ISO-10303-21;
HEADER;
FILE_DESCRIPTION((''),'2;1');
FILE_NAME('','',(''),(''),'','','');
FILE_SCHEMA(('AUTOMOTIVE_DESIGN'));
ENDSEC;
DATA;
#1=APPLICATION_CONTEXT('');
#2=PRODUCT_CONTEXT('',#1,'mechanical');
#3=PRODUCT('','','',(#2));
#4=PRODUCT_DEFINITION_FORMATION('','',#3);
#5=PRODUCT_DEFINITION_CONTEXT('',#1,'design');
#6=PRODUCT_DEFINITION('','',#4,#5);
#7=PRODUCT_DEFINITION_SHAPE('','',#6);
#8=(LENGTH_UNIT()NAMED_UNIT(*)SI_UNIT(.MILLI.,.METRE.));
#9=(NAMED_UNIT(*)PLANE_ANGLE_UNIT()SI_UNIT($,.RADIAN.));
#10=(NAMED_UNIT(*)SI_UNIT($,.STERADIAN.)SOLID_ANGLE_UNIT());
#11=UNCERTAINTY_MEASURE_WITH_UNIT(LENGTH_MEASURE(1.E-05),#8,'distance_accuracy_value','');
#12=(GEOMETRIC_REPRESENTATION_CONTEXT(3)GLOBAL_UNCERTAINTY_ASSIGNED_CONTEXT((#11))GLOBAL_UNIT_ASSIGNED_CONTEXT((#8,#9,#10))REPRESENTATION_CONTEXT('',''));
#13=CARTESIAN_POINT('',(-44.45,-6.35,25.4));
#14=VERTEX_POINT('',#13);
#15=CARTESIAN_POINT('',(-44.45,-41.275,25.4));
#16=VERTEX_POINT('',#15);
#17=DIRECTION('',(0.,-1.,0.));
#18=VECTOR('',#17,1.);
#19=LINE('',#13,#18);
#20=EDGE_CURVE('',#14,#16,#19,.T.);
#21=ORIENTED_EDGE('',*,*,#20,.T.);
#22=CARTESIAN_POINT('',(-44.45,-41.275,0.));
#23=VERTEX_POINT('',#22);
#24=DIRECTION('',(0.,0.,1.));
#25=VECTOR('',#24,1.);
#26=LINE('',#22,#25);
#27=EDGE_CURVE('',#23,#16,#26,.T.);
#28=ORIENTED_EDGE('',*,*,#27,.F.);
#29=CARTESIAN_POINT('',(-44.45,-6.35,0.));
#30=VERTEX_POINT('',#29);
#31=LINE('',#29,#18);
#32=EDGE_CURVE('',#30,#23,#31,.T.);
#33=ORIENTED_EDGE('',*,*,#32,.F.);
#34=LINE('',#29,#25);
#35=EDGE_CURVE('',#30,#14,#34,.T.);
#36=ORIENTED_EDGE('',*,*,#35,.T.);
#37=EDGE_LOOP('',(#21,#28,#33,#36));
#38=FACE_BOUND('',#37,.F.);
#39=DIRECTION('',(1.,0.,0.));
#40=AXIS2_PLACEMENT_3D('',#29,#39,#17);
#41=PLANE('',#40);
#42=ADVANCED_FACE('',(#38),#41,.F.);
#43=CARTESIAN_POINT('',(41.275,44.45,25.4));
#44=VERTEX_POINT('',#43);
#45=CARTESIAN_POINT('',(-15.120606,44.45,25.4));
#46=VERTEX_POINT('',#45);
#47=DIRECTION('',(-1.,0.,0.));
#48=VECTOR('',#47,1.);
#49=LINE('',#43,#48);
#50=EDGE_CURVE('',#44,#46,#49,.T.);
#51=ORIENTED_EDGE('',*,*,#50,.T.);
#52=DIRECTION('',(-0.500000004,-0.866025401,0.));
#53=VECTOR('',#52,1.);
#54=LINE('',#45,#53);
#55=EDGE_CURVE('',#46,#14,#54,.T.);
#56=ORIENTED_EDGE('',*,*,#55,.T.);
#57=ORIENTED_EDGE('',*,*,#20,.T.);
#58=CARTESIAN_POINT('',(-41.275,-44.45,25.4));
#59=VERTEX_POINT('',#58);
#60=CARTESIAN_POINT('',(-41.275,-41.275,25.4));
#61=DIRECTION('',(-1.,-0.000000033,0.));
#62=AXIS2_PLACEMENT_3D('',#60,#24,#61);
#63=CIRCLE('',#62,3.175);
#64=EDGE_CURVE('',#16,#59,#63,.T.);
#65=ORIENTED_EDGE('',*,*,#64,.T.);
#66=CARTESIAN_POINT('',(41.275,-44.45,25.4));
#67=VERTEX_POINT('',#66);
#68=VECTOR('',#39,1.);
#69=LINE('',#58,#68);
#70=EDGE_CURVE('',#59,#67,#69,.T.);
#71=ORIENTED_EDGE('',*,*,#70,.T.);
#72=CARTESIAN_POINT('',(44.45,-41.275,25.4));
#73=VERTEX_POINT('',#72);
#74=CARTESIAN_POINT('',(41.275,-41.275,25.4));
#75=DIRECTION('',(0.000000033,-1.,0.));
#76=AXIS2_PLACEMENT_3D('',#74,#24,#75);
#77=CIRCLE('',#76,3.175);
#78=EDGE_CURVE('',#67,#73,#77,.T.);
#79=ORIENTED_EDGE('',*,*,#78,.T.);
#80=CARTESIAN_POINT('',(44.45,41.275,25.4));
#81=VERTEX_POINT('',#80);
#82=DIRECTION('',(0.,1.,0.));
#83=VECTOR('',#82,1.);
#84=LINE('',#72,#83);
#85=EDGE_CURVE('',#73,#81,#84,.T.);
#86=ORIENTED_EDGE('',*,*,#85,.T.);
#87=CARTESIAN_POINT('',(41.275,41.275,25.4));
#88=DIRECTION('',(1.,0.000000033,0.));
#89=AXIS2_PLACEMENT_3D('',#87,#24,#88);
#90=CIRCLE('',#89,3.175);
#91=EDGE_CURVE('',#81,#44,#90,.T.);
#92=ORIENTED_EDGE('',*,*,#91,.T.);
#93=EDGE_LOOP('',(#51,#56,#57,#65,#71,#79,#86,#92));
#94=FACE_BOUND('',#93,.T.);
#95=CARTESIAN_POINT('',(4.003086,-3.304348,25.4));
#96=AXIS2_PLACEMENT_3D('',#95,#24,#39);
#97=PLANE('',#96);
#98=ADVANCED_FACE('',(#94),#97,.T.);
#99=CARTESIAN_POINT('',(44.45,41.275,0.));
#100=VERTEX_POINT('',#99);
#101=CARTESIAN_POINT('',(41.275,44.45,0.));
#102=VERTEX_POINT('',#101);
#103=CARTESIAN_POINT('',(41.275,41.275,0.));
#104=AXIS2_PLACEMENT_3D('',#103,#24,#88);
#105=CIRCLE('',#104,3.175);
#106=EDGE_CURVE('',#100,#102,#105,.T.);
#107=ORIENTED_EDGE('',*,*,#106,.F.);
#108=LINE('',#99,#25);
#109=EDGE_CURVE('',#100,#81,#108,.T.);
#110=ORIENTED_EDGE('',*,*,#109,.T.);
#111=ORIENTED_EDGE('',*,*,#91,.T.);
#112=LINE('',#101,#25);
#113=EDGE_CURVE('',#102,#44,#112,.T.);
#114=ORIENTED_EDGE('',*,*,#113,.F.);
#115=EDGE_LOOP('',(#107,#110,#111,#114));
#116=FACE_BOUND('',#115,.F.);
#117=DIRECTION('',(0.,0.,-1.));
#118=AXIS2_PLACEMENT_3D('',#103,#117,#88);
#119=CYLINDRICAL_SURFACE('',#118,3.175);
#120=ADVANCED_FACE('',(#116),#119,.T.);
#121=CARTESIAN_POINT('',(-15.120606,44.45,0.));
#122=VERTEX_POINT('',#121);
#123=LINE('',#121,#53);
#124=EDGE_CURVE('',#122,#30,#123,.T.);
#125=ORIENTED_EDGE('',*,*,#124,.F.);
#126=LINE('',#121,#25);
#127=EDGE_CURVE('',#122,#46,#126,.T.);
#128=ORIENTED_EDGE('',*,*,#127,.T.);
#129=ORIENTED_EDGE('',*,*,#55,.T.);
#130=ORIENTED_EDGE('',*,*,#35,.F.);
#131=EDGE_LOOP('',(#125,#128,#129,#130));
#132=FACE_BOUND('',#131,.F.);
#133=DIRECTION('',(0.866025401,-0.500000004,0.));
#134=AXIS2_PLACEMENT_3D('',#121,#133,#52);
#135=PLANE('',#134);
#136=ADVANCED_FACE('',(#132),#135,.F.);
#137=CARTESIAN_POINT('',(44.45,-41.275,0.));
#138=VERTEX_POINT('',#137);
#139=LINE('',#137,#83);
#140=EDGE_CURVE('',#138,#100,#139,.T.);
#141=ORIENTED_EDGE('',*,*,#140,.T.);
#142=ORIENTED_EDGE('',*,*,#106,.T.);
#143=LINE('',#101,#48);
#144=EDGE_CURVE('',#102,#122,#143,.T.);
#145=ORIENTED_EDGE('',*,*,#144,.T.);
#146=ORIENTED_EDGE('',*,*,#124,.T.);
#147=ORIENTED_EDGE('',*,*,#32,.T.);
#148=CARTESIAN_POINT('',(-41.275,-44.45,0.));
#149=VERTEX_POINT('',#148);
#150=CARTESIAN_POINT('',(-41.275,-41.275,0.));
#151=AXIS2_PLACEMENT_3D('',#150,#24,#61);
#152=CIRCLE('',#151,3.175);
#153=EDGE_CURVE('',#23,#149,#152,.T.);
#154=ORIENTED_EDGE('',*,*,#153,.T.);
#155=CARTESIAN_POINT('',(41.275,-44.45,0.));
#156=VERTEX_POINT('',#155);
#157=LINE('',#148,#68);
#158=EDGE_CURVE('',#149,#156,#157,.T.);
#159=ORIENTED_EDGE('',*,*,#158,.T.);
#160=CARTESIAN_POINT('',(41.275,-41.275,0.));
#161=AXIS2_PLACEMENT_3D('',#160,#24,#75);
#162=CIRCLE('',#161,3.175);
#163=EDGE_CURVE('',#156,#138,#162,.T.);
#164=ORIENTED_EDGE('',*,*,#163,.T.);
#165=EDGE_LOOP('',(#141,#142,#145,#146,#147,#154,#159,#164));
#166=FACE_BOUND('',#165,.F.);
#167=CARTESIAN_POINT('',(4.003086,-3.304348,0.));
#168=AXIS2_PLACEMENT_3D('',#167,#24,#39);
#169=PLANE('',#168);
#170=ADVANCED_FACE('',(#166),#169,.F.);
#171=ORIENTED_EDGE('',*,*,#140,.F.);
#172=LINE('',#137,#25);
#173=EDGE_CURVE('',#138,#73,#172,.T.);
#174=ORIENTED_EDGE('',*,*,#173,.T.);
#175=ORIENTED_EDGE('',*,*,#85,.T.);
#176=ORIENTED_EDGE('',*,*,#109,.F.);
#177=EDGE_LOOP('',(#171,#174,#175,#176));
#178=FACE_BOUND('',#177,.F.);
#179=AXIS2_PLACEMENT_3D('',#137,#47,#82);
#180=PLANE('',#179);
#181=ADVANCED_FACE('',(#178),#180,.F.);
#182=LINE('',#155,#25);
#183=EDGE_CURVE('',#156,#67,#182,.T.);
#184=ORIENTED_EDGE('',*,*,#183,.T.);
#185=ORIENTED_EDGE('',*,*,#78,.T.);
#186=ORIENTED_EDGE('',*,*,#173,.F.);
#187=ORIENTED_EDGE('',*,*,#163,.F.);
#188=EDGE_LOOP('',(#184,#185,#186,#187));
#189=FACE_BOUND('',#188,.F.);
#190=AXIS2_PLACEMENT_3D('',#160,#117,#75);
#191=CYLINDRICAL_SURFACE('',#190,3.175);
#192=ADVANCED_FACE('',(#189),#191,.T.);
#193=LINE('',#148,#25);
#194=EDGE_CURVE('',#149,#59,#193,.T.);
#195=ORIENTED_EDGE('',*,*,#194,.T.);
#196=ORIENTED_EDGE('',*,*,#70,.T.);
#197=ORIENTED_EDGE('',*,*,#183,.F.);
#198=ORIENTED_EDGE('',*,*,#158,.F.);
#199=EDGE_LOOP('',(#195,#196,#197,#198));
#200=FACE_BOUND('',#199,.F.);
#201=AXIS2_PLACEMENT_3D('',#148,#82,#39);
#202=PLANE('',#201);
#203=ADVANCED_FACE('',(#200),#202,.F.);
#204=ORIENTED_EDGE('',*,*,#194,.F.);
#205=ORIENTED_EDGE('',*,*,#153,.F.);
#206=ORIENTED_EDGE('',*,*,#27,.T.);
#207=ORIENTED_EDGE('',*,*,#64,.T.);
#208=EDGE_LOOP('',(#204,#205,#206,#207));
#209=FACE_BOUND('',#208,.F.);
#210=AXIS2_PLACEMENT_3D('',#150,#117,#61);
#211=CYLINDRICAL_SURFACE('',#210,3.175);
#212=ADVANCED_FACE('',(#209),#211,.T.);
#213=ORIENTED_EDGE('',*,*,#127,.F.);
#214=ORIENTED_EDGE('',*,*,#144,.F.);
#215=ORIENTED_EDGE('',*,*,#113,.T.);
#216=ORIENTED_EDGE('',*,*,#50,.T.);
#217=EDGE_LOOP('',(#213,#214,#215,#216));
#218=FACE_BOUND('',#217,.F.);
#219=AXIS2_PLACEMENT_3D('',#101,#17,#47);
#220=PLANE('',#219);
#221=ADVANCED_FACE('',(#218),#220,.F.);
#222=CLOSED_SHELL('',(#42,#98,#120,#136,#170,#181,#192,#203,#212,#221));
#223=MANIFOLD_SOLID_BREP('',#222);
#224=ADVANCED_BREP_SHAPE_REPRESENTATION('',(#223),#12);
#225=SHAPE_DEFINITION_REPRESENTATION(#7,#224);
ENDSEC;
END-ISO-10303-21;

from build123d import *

# Parameters (mm, degrees)
F1_DEPTH = 25.4


with BuildPart() as f1:
    # F0 (on Top) → F1 (new body)
    with BuildSketch(Plane.XY):
        with BuildLine():
            ThreePointArc((44.45, 41.275), (43.520064, 43.520064), (41.275, 44.45))
            Line((41.275, 44.45), (-15.120606, 44.45))
            Line((-15.120606, 44.45), (-44.45, -6.35))
            Line((-44.45, -6.35), (-44.45, -41.275))
            ThreePointArc((-44.45, -41.275), (-43.520064, -43.520064), (-41.275, -44.45))
            Line((-41.275, -44.45), (41.275, -44.45))
            ThreePointArc((41.275, -44.45), (43.520064, -43.520064), (44.45, -41.275))
            Line((44.45, -41.275), (44.45, 41.275))
        make_face()
    extrude(amount=F1_DEPTH)


solid = f1.part
